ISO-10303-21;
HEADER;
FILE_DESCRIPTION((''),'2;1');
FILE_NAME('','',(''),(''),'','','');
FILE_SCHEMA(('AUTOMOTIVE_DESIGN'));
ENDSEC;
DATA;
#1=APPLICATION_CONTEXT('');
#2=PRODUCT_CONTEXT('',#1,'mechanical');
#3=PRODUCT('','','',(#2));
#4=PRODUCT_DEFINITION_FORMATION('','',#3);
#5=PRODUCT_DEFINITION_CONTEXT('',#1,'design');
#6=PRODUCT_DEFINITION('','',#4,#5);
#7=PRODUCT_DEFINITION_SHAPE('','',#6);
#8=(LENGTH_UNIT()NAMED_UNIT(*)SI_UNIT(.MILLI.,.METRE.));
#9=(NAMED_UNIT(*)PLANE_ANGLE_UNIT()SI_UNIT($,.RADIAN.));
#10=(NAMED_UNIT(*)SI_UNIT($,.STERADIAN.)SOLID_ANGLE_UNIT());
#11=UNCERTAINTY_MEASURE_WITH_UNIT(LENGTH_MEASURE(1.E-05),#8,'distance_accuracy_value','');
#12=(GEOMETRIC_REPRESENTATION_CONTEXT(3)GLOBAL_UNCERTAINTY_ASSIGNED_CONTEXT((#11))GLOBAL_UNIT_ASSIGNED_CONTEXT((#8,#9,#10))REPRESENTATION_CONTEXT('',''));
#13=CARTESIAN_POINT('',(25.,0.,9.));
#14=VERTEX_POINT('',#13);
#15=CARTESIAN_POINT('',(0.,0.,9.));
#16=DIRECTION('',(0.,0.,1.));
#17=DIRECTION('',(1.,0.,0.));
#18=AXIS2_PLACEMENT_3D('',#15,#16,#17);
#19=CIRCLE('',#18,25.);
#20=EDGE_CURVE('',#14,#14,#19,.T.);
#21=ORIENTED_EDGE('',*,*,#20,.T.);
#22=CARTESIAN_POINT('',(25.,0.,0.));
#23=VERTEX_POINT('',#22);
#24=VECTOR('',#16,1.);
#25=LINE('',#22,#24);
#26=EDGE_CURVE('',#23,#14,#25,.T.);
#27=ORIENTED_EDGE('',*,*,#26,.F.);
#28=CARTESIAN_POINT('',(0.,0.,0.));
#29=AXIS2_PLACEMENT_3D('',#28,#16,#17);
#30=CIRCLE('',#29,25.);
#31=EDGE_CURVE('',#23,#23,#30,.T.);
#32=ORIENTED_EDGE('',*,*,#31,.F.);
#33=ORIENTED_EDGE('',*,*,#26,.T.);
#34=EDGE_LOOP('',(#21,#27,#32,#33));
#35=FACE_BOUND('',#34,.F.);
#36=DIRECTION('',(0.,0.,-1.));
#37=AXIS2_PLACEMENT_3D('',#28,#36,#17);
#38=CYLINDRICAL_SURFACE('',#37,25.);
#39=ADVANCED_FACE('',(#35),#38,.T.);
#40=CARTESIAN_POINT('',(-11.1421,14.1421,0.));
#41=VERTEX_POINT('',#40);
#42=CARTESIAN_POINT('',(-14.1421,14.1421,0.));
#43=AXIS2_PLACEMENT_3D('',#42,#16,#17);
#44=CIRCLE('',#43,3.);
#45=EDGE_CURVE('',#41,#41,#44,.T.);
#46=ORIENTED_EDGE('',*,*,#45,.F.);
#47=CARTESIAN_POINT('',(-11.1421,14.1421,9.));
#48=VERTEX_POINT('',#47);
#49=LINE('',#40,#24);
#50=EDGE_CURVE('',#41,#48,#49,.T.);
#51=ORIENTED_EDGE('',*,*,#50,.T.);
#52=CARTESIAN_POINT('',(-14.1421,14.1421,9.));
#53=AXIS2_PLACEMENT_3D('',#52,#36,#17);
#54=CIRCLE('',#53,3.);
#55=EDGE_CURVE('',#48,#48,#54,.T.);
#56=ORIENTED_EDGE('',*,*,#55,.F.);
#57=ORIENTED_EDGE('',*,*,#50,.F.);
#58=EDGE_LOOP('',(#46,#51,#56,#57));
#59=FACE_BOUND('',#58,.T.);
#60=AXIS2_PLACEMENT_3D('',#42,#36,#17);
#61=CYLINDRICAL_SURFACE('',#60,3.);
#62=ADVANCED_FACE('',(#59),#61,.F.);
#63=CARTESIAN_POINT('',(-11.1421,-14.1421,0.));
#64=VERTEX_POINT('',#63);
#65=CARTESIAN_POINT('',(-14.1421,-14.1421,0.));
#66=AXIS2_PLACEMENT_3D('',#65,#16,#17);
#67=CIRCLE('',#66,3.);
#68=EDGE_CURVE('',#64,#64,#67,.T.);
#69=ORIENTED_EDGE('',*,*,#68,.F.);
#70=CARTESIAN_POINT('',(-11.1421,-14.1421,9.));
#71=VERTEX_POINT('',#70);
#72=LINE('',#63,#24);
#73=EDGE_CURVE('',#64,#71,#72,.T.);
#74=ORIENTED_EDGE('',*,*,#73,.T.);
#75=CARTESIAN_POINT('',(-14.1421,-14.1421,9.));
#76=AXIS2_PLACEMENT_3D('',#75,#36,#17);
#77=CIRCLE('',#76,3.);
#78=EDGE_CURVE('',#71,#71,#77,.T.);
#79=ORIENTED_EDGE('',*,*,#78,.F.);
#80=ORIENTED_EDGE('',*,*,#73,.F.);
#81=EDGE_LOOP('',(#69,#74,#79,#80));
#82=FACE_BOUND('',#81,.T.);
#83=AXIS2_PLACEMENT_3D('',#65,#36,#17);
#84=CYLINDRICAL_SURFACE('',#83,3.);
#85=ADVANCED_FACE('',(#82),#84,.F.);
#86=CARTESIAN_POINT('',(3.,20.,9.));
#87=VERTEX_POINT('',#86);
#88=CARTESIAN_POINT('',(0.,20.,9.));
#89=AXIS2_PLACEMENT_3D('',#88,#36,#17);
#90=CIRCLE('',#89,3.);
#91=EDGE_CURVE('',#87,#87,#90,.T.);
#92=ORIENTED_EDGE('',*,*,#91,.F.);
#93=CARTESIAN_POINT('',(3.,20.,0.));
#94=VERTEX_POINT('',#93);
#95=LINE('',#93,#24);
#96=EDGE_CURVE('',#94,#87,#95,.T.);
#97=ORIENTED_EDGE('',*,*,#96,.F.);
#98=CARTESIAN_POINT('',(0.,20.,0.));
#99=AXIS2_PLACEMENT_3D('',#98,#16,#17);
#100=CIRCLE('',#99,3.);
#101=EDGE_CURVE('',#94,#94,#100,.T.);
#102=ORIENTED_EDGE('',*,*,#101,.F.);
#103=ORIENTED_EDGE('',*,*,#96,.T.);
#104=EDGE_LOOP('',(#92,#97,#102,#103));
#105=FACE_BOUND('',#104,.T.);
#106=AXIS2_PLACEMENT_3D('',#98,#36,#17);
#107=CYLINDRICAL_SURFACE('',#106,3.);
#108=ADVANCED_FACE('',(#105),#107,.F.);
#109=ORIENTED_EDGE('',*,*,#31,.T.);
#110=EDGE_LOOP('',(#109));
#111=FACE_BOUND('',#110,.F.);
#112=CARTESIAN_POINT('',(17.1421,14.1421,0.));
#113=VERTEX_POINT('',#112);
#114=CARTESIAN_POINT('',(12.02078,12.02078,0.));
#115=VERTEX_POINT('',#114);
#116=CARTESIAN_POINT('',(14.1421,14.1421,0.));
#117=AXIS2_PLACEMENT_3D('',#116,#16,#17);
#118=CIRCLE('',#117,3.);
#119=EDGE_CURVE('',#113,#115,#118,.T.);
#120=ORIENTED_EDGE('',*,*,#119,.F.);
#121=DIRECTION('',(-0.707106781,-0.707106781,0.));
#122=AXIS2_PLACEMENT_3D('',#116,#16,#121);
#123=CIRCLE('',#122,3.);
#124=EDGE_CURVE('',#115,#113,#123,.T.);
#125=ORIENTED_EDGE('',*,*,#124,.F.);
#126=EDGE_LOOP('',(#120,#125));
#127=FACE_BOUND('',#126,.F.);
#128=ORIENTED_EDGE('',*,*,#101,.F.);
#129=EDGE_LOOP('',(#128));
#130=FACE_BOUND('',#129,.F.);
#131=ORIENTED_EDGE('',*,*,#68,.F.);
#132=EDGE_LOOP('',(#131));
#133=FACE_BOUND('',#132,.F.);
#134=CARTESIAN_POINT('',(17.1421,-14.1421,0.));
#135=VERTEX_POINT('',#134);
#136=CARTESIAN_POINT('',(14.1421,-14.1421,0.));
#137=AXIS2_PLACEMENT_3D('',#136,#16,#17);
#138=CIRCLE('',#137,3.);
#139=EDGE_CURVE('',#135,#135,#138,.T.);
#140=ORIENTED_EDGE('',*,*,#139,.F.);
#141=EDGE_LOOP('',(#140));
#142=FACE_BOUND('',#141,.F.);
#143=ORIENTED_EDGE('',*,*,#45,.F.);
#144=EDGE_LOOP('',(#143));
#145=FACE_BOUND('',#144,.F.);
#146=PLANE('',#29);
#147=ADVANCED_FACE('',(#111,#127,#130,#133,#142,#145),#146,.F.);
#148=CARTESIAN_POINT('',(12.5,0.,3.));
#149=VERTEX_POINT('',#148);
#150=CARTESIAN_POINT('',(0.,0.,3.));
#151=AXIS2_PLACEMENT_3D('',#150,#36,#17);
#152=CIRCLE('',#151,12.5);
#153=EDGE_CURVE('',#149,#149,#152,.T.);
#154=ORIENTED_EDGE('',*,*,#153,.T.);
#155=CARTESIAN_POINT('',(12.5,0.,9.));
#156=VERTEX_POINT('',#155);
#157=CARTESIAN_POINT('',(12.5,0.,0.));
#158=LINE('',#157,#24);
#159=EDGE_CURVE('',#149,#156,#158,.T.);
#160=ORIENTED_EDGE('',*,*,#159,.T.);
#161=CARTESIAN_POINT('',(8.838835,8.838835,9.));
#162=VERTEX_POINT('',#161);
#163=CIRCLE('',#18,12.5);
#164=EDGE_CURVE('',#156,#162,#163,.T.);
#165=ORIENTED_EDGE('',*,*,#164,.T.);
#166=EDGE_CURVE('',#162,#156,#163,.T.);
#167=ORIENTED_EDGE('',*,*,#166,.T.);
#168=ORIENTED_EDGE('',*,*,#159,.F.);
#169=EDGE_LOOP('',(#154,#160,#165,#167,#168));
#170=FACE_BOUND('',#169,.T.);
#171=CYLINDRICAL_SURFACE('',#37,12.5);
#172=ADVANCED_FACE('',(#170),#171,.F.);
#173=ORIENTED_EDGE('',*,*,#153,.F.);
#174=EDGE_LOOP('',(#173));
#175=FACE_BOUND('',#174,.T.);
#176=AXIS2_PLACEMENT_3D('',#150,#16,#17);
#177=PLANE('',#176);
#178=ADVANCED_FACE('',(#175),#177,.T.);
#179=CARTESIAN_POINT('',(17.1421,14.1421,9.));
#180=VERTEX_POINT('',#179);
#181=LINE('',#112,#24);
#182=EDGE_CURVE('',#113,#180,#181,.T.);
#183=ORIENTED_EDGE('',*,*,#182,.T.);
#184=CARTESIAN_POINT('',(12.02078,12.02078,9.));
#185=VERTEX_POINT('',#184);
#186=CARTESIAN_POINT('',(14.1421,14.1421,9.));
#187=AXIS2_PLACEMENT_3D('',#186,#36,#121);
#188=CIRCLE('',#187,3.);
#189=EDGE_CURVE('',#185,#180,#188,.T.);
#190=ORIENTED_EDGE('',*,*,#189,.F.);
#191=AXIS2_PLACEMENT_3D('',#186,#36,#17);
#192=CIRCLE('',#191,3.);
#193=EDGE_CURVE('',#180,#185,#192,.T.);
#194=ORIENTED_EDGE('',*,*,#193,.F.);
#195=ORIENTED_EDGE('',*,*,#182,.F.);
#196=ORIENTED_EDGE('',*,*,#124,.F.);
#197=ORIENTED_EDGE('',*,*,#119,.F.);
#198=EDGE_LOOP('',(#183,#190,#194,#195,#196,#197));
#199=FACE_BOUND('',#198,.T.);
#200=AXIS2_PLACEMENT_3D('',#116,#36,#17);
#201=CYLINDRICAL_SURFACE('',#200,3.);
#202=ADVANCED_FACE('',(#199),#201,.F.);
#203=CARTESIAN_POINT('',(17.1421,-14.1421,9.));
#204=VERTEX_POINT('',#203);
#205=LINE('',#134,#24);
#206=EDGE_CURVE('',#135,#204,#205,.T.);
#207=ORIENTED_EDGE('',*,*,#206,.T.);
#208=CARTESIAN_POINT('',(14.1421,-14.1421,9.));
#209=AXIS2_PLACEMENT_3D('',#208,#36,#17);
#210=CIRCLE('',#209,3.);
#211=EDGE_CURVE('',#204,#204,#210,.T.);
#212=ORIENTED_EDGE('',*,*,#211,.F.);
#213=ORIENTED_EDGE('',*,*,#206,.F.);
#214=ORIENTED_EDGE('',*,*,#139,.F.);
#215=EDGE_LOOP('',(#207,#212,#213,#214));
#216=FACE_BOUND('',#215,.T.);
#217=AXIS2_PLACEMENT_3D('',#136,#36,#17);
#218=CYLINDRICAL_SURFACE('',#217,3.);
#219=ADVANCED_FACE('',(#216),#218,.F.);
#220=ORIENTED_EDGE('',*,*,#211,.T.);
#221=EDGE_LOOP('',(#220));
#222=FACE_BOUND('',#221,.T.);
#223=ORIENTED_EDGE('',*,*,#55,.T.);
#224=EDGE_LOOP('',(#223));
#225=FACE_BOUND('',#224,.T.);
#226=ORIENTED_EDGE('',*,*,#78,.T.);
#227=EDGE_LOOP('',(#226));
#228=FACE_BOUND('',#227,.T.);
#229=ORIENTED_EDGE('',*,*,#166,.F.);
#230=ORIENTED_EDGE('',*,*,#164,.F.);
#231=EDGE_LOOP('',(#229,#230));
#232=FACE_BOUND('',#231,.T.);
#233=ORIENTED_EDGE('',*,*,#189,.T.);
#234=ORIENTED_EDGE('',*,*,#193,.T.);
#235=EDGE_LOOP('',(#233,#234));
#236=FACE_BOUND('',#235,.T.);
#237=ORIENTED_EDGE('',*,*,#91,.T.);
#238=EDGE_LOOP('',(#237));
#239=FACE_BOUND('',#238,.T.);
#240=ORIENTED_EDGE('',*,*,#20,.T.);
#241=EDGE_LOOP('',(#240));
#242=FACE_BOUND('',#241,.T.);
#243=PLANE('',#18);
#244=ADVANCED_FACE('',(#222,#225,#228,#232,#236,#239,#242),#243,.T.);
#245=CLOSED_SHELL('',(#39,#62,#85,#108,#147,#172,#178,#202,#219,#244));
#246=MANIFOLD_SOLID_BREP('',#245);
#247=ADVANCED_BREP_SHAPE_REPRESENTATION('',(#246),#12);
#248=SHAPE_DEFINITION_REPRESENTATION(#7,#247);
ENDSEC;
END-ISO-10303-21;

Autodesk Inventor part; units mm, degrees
ref_plane "YZ Plane" through (0, 0, 0) normal (1, 0, 0) x (0, 1, 0)
ref_plane "XZ Plane" through (0, 0, 0) normal (0, 1, 0) x (-1, 0, 0)
ref_plane "XY Plane" through (0, 0, 0) normal (0, 0, 1) x (1, 0, 0)
sketch "Boceto1" plane through (0, 0, 0) normal (0, 0, 1) x (1, 0, 0)
  circle A0 centre (0, 0) radius 25
  circle A1 centre (0, 0) radius 20
  line L0 (0, 0) -> (14.1421, 14.1421)
  line L1 (0, 0) -> (20, 0) construction
  circle A2 centre (14.1421, 14.1421) radius 3
  circle A3 centre (14.1421, -14.1421) radius 3
  circle A4 centre (0, 0) radius 20
  circle A5 centre (-14.1421, -14.1421) radius 3
  circle A6 centre (0, 0) radius 20
  circle A7 centre (-14.1421, 14.1421) radius 3
  circle A8 centre (0, 0) radius 20
  circle A9 centre (0, 20) radius 3
  circle A10 centre (0, 0) radius 12.5
  dimension "d1" = 40
  dimension "d0" = 50
  dimension "d2" = 45
  dimension "d3" = 6
  dimension "d6" = 360
  dimension "d8" = 6
  dimension "d9" = 25
extrude "Extrusión1" add sketch "Boceto1" along normal blind 9 contours A0 | A1 A3 A5 A7 A9 A2
extrude "Extrusión2" add sketch "Boceto1" along normal blind 3 contours A10
properties part number "flancheDeMontaje"
